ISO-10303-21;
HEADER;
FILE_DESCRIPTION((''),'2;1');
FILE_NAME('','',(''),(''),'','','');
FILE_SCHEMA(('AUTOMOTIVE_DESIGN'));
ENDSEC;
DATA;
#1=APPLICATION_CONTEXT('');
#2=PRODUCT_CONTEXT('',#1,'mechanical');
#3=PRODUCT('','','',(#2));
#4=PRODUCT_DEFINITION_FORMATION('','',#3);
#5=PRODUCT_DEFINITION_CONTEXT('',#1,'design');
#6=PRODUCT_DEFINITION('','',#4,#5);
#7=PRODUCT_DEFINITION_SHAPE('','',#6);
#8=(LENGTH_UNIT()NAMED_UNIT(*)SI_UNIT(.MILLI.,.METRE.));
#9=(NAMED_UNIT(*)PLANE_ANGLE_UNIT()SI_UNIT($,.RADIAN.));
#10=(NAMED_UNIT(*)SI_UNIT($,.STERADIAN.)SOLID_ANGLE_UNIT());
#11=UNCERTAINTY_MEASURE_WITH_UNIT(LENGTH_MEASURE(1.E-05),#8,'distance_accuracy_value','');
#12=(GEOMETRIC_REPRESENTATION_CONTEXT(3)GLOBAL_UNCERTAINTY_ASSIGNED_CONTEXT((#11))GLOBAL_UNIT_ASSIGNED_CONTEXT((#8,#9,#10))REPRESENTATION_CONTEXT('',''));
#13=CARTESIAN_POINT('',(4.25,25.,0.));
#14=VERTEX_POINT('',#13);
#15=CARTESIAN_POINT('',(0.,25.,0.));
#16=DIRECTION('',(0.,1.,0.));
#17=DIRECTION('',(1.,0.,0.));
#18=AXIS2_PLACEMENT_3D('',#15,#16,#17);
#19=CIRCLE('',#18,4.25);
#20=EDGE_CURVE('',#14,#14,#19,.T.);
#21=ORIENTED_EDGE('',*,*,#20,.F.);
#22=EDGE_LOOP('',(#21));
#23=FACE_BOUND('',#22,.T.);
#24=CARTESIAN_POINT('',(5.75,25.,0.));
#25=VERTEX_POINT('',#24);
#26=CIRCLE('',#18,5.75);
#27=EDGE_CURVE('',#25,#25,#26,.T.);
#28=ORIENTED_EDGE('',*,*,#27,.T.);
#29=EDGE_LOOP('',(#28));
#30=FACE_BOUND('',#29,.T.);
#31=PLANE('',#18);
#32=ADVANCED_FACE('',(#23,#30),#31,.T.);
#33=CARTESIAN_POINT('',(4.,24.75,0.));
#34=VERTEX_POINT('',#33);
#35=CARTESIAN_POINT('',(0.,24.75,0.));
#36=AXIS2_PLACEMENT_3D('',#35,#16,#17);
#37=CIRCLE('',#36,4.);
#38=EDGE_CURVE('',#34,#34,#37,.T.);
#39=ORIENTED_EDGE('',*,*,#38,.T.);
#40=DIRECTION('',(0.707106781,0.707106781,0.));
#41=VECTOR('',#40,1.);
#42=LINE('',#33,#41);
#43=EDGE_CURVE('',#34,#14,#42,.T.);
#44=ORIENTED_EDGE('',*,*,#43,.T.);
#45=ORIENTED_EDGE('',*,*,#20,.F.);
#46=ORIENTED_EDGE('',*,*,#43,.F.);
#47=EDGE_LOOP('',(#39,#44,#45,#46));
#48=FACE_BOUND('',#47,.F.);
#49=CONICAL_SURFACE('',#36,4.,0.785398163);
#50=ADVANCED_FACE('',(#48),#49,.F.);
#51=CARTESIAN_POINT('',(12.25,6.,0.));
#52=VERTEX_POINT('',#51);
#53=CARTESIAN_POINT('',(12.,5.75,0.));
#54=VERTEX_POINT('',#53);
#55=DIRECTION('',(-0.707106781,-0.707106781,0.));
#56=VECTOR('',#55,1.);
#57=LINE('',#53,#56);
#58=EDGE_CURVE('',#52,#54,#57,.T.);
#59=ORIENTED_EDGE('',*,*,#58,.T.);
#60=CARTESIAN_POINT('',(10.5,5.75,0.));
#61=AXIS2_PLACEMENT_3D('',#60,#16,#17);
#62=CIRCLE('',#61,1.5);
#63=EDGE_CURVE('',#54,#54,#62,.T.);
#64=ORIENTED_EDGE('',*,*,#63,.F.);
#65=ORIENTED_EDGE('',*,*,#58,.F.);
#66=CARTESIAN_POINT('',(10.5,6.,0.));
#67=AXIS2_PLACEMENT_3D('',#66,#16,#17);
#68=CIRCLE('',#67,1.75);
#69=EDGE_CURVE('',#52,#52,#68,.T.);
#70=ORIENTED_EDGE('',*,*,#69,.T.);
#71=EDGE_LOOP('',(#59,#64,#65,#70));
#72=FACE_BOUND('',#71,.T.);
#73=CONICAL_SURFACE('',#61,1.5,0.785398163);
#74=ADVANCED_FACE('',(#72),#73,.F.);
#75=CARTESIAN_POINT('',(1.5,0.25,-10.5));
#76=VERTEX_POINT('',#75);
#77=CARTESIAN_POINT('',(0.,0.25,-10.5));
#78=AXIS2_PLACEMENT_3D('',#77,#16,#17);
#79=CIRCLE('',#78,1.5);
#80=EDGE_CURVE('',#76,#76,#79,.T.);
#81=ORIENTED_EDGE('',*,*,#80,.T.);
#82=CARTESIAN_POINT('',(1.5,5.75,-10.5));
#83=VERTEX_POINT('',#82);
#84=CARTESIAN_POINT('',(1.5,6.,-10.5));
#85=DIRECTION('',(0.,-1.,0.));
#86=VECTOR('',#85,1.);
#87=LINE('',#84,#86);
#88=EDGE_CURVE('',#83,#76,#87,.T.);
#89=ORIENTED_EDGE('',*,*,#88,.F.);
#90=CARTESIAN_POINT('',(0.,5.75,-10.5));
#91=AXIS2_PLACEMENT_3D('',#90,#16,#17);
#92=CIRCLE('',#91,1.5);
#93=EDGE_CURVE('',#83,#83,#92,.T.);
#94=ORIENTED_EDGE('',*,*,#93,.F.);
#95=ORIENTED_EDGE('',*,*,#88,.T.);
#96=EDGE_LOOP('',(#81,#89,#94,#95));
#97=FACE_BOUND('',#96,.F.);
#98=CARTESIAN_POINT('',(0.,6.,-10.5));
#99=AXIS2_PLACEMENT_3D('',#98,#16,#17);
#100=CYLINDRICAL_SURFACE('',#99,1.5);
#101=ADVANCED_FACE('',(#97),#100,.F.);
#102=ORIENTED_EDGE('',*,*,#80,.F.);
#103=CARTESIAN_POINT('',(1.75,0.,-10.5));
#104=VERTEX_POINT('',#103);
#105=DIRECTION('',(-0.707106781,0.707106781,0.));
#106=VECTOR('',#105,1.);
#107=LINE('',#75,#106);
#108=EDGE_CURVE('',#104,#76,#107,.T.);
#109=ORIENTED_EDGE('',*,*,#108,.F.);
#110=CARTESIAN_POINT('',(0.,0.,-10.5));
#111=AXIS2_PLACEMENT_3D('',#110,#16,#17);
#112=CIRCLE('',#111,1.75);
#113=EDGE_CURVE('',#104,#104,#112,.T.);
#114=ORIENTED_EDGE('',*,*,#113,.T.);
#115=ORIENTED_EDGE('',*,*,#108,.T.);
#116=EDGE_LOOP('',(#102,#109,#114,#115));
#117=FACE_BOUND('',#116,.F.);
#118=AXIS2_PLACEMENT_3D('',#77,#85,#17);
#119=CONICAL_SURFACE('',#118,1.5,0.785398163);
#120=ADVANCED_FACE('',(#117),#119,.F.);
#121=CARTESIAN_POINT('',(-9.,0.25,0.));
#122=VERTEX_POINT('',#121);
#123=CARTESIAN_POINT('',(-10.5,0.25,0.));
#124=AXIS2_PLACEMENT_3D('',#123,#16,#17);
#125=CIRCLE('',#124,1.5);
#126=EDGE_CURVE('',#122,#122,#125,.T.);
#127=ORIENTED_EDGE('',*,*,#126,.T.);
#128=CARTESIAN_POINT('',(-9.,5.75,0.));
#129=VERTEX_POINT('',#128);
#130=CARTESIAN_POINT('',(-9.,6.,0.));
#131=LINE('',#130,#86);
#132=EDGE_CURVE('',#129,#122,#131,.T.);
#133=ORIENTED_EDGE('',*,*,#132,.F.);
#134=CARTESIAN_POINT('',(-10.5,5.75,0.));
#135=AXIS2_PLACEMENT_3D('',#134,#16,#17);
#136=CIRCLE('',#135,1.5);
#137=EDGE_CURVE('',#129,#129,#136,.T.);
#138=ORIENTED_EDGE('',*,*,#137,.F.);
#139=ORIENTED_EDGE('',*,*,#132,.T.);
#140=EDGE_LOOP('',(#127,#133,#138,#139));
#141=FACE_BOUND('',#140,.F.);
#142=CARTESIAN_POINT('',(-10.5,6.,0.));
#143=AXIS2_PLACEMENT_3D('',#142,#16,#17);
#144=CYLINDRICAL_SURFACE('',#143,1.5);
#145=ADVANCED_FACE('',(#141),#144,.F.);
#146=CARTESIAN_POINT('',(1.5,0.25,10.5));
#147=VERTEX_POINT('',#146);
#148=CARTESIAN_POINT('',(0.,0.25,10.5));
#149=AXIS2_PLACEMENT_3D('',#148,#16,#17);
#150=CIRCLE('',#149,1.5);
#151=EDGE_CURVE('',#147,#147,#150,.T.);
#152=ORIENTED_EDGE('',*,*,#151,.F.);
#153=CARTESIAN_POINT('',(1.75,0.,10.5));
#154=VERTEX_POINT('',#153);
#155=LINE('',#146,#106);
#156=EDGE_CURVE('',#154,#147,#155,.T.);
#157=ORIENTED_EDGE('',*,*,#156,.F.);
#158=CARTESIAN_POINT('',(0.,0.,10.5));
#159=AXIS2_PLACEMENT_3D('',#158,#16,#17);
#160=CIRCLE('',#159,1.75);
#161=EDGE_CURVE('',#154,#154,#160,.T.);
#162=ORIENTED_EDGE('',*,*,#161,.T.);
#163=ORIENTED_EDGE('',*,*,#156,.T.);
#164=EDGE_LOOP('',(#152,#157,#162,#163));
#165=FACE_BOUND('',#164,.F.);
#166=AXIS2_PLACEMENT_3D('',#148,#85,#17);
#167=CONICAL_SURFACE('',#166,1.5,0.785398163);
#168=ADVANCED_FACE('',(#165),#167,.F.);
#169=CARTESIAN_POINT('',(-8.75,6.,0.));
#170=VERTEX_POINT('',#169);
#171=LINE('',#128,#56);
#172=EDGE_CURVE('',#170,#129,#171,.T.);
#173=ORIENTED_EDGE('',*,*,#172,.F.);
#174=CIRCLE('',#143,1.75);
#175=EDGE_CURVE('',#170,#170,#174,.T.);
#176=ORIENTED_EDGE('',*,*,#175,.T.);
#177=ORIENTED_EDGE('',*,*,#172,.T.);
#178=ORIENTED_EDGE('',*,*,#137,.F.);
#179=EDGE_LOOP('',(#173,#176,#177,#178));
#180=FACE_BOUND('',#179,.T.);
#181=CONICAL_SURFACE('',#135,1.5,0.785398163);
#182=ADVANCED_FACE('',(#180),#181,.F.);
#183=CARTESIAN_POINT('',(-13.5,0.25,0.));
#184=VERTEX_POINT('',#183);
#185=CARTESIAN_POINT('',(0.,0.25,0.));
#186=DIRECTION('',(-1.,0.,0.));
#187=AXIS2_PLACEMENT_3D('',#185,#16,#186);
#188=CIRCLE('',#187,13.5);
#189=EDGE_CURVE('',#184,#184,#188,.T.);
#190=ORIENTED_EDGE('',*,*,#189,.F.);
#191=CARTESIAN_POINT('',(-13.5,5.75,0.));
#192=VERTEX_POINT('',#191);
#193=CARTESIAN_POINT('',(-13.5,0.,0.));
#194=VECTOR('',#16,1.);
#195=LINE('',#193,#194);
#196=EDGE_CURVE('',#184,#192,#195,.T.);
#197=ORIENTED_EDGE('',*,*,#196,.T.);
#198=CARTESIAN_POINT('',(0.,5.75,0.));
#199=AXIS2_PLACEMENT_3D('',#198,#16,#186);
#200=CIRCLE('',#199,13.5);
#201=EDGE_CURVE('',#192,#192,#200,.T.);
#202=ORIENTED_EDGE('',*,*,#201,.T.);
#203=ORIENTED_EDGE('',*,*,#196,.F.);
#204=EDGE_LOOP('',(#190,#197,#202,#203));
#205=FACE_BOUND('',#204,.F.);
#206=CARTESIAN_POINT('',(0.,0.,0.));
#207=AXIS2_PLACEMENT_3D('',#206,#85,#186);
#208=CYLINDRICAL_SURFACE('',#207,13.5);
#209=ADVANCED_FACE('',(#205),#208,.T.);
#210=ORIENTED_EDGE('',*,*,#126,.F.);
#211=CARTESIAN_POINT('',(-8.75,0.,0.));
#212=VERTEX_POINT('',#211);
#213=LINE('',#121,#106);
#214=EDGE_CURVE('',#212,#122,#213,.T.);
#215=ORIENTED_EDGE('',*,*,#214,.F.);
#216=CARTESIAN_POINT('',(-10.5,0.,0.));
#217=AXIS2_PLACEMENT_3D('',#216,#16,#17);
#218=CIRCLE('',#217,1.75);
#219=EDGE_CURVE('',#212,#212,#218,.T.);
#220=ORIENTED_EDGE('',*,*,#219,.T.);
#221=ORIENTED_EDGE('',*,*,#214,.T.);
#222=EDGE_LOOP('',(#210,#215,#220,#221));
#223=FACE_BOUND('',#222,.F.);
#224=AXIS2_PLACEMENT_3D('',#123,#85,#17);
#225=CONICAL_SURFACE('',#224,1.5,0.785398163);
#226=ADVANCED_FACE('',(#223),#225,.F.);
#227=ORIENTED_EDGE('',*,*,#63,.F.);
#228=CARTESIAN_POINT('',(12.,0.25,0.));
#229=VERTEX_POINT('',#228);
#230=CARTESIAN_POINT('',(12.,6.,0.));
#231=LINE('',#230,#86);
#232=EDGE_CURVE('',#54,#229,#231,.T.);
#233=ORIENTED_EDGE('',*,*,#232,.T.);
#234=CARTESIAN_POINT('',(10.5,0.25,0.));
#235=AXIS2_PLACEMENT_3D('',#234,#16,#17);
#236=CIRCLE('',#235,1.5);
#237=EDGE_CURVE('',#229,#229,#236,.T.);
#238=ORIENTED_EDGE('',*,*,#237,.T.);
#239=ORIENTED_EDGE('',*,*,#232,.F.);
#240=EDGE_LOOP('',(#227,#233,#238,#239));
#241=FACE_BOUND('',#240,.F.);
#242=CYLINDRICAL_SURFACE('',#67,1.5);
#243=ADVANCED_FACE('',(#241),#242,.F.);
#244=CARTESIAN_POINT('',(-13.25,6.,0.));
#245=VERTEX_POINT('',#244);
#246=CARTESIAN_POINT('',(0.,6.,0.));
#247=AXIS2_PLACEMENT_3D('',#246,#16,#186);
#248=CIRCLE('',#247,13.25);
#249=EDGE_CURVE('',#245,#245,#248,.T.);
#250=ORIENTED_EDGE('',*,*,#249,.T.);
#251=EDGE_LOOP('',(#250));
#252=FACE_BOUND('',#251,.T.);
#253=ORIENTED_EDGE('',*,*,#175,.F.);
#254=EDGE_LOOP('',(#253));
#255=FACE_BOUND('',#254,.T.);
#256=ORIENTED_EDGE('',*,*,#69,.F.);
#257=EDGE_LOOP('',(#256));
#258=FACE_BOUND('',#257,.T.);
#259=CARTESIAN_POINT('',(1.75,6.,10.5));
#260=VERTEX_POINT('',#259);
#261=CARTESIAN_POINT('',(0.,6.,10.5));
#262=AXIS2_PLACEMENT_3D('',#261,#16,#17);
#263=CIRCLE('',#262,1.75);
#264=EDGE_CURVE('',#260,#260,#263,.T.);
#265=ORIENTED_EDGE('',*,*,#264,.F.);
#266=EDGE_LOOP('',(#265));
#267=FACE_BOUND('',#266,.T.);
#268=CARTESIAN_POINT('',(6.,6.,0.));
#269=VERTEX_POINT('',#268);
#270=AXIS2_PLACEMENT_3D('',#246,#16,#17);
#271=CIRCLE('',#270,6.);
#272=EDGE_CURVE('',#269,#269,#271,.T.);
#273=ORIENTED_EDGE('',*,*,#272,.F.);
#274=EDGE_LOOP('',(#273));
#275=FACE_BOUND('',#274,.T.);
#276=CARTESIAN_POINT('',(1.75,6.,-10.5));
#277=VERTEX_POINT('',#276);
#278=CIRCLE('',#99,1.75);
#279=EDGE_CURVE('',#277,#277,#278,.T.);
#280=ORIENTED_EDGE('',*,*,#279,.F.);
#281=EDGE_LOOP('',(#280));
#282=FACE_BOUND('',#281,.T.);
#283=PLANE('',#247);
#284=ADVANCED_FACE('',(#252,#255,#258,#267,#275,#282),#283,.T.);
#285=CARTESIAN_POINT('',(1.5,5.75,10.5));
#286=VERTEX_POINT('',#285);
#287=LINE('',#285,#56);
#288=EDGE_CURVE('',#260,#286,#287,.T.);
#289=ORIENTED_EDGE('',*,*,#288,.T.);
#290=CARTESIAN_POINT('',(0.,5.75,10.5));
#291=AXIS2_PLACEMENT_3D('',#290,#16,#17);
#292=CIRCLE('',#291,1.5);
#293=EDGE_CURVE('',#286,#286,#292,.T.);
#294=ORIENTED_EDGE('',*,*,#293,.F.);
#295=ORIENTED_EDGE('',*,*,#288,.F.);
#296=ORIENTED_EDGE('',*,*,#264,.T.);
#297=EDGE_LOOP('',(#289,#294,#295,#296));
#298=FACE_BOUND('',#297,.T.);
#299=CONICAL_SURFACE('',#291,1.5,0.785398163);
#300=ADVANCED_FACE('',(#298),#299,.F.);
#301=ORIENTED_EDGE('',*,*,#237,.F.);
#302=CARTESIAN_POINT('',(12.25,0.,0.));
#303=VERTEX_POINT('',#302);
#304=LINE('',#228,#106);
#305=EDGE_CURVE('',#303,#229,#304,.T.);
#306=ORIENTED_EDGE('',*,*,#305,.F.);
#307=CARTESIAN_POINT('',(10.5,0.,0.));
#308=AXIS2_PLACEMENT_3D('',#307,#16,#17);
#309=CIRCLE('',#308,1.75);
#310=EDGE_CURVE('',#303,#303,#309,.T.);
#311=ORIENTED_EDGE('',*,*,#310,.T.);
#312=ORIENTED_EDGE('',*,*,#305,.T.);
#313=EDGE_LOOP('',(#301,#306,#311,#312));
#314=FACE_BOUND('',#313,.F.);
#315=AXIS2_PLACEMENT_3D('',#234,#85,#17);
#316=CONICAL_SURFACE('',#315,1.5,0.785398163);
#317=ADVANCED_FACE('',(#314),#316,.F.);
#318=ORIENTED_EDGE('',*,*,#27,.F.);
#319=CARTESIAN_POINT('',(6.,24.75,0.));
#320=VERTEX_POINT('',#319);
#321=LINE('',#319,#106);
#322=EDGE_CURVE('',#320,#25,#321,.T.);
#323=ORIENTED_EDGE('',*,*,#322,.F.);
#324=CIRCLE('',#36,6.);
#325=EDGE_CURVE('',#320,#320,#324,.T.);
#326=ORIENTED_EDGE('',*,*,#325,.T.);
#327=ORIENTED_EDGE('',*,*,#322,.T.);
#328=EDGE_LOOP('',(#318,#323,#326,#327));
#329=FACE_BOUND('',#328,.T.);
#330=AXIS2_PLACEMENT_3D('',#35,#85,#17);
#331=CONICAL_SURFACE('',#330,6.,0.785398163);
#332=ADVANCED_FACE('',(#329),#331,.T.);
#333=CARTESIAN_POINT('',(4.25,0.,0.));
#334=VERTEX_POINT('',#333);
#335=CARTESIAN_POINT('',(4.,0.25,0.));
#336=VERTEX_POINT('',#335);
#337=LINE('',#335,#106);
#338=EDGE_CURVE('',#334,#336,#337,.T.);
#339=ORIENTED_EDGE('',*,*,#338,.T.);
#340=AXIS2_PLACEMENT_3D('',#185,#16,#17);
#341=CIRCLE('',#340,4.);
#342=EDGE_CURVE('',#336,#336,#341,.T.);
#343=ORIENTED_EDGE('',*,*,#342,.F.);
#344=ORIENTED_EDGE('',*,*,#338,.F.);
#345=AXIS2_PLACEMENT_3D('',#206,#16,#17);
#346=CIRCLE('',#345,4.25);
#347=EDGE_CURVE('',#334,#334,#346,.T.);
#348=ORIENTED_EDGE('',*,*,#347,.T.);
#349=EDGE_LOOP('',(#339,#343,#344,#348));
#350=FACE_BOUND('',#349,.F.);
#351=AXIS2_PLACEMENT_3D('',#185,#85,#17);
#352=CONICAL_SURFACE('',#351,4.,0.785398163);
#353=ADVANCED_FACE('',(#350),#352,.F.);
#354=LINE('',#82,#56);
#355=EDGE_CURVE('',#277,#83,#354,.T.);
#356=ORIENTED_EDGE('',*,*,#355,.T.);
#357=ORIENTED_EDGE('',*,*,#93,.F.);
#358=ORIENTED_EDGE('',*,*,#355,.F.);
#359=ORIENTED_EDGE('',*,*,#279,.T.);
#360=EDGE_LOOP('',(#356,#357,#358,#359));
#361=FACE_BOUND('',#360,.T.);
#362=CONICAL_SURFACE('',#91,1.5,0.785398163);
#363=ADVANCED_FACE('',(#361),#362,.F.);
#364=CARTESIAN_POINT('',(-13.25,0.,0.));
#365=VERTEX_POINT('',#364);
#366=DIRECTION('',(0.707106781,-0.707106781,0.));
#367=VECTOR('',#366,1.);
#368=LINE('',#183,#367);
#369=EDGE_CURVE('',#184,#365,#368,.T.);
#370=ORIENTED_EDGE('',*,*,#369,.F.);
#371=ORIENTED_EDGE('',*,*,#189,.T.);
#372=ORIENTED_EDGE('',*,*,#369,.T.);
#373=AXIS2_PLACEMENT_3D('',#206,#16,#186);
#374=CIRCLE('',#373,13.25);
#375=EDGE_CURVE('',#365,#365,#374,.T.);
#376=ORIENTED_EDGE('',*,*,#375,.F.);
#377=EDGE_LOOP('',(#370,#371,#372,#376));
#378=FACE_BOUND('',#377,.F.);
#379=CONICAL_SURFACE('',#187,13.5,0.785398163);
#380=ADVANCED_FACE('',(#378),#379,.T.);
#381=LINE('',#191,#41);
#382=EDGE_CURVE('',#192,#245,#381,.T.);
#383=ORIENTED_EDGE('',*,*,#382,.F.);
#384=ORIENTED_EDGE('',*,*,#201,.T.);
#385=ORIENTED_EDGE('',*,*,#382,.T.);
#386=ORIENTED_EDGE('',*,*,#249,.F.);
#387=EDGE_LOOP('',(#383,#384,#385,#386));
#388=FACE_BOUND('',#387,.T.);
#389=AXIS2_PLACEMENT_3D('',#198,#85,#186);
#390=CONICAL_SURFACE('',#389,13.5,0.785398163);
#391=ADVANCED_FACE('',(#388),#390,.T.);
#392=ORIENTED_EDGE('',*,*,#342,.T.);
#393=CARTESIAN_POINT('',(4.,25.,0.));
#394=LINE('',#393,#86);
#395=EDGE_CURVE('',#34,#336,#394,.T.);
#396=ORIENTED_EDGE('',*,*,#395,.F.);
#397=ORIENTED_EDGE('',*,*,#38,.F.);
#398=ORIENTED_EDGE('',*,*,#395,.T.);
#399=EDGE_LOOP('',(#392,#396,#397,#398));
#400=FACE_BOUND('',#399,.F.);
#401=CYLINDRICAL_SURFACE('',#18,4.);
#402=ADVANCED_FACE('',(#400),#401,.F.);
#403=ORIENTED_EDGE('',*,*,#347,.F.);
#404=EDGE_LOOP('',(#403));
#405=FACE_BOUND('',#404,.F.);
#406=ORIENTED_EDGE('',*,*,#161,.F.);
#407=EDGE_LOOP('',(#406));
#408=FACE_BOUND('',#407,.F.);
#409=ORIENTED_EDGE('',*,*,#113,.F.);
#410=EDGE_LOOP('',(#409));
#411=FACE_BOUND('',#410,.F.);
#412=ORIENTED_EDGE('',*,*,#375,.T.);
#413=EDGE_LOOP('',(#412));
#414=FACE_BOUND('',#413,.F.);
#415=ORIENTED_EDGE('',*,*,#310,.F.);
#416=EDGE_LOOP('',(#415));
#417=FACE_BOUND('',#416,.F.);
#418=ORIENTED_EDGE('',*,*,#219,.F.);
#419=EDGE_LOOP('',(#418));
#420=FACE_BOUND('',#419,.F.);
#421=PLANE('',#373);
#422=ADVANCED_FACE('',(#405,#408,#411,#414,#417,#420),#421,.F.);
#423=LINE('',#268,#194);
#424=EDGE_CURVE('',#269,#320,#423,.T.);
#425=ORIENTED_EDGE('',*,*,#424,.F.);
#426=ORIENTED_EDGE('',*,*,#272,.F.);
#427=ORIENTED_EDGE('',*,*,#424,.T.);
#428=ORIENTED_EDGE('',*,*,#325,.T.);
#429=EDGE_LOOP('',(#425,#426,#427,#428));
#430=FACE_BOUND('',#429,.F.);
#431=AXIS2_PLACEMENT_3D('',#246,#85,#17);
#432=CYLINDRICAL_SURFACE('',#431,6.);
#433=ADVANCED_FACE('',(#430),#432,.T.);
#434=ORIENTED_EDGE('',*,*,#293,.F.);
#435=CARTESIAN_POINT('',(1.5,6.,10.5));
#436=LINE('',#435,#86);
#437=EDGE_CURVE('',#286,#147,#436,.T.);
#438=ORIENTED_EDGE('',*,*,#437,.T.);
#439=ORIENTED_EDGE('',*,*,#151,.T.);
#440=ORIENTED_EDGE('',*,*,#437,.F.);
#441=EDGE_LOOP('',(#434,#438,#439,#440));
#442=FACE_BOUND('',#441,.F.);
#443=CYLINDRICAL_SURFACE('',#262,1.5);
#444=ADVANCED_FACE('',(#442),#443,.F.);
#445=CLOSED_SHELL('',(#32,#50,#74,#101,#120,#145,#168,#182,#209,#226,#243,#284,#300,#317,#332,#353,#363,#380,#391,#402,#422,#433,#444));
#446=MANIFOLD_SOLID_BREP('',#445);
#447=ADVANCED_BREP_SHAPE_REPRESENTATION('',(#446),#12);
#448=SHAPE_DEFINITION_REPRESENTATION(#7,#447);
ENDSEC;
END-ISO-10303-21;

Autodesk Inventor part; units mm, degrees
ref_plane "YZ Plane" through (0, 0, 0) normal (1, 0, 0) x (0, 1, 0)
ref_plane "XZ Plane" through (0, 0, 0) normal (0, 1, 0) x (-1, 0, 0)
ref_plane "XY Plane" through (0, 0, 0) normal (0, 0, 1) x (1, 0, 0)
sketch "Эскиз1" plane through (0, 0, 0) normal (0, 1, 0) x (-1, 0, 0)
  circle A0 centre (0, 0) radius 13.5
  dimension "d0" = 27
extrude "Выдавливание1" add sketch "Эскиз1" along normal blind 6
sketch "Эскиз2" plane through (0, 6, 0) normal (0, 1, 0) x (1, 0, 0)
  circle A0 centre (0, 0) radius 6
  dimension "d3" = 12
extrude "Выдавливание2" add sketch "Эскиз2" along normal blind 19
sketch "Эскиз3" plane through (0, 25, 0) normal (0, 1, 0) x (1, 0, 0)
  circle A0 centre (0, 0) radius 4
  dimension "d6" = 8
extrude "Выдавливание3" cut sketch "Эскиз3" against normal through all
chamfer "Фаска1" distance 0.25 angle 45 5 edges at (-4, 25, 0) (-6, 25, 0) (13.5, 6, 0) (13.5, 0, 0) (-4, 0, 0)
sketch "Эскиз4" plane through (0, 6, 0) normal (0, 1, 0) x (1, 0, 0)
  circle A0 centre (0, -10.5) radius 1.5
  circle A1 centre (-10.5, 0) radius 1.5
  circle A2 centre (0, 10.5) radius 1.5
  circle A3 centre (10.5, 0) radius 1.5
  dimension "d13" = 3
  dimension "d14" = 3
  dimension "d15" = 3
  dimension "d16" = 3
extrude "Выдавливание4" cut sketch "Эскиз4" against normal through all
chamfer "Фаска2" distance 0.25 angle 45 8 edges at (-12, 6, 0) (-1.5, 6, -10.5) (9, 6, 0) (-1.5, 6, 10.5) (-1.5, 0, 10.5) (-12, 0, 0) (9, 0, 0) (-1.5, 0, -10.5)
thread "Резьба1" size "M8x1.25" class "6H" standard "ANSI Metric M Profile" full length
properties part number "Tin-bronze M8 nut for Z- axis"
